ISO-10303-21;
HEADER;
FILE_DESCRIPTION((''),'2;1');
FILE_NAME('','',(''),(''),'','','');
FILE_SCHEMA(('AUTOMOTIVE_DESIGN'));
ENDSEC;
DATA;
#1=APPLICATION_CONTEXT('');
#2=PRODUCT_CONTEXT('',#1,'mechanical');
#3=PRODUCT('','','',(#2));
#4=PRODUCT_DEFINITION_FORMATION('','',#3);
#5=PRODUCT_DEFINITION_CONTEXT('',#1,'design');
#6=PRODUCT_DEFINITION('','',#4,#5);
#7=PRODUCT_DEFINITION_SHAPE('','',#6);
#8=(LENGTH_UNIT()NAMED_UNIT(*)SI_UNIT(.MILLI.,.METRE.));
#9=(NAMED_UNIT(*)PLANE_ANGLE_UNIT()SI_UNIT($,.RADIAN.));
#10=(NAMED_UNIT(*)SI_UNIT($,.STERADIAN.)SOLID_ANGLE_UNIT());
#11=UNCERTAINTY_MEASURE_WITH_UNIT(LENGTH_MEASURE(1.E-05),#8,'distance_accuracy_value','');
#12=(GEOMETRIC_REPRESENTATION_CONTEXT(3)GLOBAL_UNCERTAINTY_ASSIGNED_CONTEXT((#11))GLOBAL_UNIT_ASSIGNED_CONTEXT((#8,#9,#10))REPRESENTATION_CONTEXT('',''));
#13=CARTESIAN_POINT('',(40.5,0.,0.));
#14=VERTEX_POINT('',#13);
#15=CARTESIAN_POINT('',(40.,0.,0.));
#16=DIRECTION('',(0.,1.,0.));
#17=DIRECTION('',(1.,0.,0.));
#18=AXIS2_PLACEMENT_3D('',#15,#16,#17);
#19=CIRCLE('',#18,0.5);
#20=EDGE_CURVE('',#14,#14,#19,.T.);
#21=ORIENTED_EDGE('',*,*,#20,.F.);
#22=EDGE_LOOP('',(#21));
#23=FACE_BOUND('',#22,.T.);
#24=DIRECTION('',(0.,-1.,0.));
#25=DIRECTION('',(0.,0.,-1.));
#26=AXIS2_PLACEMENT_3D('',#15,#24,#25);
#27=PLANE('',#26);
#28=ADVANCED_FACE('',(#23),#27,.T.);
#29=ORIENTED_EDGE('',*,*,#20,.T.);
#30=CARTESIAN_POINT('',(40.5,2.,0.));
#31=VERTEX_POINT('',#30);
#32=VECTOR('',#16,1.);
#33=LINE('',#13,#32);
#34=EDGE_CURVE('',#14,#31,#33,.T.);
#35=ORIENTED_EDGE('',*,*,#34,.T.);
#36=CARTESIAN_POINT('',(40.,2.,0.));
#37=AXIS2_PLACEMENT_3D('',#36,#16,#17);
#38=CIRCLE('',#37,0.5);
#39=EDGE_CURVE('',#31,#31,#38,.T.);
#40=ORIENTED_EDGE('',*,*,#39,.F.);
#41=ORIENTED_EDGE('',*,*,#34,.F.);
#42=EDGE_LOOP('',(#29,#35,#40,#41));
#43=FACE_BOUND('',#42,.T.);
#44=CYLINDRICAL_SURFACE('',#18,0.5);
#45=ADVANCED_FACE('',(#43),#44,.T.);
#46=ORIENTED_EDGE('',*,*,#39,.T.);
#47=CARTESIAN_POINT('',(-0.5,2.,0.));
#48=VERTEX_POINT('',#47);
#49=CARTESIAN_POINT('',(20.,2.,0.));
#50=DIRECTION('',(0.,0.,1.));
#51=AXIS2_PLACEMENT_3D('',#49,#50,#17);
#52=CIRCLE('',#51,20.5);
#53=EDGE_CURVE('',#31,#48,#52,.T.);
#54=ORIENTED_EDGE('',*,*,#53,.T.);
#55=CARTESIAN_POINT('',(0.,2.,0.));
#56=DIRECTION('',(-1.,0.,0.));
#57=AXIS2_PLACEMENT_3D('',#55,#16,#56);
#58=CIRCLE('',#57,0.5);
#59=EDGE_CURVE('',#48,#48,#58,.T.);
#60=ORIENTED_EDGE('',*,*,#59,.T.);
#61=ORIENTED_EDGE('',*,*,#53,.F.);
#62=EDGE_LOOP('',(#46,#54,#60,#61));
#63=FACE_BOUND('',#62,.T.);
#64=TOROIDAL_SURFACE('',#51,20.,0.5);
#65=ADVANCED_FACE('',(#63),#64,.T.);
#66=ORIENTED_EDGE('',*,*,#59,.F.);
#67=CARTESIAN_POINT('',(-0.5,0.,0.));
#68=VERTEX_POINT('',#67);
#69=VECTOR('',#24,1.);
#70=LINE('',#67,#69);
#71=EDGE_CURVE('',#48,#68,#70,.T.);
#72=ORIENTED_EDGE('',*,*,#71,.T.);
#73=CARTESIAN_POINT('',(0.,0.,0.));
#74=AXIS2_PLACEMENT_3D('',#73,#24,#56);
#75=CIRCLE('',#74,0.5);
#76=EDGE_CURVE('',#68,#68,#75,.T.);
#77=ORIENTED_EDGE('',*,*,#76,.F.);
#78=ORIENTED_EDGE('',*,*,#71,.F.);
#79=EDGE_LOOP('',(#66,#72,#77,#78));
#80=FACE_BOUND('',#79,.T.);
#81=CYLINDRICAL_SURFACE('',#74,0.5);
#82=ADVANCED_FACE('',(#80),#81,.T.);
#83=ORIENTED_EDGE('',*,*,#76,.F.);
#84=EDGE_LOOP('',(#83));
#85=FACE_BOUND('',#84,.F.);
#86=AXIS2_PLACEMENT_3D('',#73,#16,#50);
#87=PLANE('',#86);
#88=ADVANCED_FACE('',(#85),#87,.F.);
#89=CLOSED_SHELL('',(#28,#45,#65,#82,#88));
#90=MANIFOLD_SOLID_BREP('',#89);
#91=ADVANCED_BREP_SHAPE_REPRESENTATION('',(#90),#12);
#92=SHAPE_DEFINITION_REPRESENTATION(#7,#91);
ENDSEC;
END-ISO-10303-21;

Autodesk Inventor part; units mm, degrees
ref_plane "YZ Plane" through (0, 0, 0) normal (1, 0, 0) x (0, 1, 0)
ref_plane "XZ Plane" through (0, 0, 0) normal (0, 1, 0) x (-1, 0, 0)
ref_plane "XY Plane" through (0, 0, 0) normal (0, 0, 1) x (1, 0, 0)
sketch "Эскиз1" plane through (0, 0, 0) normal (0, 0, 1) x (1, 0, 0)
  arc A0 (40, 2) -> (0, 2) centre (20, 2) ccw
  line L0 (0, 0) -> (0, 2)
  line L1 (40, 0) -> (40, 2)
  point P0 (0, 0)
  point P1 (20, 22)
  dimension "d4" = 40
  dimension "d15" = 22
sketch "Эскиз3" plane through (0, 0, 0) normal (0, 1, 0) x (-1, 0, 0)
  circle A0 centre (0, 0) radius 0.5
  dimension "d11" = 1
sweep "Сдвиг1" add profiles "Эскиз3" path "Эскиз1"
properties part number "Петля"
